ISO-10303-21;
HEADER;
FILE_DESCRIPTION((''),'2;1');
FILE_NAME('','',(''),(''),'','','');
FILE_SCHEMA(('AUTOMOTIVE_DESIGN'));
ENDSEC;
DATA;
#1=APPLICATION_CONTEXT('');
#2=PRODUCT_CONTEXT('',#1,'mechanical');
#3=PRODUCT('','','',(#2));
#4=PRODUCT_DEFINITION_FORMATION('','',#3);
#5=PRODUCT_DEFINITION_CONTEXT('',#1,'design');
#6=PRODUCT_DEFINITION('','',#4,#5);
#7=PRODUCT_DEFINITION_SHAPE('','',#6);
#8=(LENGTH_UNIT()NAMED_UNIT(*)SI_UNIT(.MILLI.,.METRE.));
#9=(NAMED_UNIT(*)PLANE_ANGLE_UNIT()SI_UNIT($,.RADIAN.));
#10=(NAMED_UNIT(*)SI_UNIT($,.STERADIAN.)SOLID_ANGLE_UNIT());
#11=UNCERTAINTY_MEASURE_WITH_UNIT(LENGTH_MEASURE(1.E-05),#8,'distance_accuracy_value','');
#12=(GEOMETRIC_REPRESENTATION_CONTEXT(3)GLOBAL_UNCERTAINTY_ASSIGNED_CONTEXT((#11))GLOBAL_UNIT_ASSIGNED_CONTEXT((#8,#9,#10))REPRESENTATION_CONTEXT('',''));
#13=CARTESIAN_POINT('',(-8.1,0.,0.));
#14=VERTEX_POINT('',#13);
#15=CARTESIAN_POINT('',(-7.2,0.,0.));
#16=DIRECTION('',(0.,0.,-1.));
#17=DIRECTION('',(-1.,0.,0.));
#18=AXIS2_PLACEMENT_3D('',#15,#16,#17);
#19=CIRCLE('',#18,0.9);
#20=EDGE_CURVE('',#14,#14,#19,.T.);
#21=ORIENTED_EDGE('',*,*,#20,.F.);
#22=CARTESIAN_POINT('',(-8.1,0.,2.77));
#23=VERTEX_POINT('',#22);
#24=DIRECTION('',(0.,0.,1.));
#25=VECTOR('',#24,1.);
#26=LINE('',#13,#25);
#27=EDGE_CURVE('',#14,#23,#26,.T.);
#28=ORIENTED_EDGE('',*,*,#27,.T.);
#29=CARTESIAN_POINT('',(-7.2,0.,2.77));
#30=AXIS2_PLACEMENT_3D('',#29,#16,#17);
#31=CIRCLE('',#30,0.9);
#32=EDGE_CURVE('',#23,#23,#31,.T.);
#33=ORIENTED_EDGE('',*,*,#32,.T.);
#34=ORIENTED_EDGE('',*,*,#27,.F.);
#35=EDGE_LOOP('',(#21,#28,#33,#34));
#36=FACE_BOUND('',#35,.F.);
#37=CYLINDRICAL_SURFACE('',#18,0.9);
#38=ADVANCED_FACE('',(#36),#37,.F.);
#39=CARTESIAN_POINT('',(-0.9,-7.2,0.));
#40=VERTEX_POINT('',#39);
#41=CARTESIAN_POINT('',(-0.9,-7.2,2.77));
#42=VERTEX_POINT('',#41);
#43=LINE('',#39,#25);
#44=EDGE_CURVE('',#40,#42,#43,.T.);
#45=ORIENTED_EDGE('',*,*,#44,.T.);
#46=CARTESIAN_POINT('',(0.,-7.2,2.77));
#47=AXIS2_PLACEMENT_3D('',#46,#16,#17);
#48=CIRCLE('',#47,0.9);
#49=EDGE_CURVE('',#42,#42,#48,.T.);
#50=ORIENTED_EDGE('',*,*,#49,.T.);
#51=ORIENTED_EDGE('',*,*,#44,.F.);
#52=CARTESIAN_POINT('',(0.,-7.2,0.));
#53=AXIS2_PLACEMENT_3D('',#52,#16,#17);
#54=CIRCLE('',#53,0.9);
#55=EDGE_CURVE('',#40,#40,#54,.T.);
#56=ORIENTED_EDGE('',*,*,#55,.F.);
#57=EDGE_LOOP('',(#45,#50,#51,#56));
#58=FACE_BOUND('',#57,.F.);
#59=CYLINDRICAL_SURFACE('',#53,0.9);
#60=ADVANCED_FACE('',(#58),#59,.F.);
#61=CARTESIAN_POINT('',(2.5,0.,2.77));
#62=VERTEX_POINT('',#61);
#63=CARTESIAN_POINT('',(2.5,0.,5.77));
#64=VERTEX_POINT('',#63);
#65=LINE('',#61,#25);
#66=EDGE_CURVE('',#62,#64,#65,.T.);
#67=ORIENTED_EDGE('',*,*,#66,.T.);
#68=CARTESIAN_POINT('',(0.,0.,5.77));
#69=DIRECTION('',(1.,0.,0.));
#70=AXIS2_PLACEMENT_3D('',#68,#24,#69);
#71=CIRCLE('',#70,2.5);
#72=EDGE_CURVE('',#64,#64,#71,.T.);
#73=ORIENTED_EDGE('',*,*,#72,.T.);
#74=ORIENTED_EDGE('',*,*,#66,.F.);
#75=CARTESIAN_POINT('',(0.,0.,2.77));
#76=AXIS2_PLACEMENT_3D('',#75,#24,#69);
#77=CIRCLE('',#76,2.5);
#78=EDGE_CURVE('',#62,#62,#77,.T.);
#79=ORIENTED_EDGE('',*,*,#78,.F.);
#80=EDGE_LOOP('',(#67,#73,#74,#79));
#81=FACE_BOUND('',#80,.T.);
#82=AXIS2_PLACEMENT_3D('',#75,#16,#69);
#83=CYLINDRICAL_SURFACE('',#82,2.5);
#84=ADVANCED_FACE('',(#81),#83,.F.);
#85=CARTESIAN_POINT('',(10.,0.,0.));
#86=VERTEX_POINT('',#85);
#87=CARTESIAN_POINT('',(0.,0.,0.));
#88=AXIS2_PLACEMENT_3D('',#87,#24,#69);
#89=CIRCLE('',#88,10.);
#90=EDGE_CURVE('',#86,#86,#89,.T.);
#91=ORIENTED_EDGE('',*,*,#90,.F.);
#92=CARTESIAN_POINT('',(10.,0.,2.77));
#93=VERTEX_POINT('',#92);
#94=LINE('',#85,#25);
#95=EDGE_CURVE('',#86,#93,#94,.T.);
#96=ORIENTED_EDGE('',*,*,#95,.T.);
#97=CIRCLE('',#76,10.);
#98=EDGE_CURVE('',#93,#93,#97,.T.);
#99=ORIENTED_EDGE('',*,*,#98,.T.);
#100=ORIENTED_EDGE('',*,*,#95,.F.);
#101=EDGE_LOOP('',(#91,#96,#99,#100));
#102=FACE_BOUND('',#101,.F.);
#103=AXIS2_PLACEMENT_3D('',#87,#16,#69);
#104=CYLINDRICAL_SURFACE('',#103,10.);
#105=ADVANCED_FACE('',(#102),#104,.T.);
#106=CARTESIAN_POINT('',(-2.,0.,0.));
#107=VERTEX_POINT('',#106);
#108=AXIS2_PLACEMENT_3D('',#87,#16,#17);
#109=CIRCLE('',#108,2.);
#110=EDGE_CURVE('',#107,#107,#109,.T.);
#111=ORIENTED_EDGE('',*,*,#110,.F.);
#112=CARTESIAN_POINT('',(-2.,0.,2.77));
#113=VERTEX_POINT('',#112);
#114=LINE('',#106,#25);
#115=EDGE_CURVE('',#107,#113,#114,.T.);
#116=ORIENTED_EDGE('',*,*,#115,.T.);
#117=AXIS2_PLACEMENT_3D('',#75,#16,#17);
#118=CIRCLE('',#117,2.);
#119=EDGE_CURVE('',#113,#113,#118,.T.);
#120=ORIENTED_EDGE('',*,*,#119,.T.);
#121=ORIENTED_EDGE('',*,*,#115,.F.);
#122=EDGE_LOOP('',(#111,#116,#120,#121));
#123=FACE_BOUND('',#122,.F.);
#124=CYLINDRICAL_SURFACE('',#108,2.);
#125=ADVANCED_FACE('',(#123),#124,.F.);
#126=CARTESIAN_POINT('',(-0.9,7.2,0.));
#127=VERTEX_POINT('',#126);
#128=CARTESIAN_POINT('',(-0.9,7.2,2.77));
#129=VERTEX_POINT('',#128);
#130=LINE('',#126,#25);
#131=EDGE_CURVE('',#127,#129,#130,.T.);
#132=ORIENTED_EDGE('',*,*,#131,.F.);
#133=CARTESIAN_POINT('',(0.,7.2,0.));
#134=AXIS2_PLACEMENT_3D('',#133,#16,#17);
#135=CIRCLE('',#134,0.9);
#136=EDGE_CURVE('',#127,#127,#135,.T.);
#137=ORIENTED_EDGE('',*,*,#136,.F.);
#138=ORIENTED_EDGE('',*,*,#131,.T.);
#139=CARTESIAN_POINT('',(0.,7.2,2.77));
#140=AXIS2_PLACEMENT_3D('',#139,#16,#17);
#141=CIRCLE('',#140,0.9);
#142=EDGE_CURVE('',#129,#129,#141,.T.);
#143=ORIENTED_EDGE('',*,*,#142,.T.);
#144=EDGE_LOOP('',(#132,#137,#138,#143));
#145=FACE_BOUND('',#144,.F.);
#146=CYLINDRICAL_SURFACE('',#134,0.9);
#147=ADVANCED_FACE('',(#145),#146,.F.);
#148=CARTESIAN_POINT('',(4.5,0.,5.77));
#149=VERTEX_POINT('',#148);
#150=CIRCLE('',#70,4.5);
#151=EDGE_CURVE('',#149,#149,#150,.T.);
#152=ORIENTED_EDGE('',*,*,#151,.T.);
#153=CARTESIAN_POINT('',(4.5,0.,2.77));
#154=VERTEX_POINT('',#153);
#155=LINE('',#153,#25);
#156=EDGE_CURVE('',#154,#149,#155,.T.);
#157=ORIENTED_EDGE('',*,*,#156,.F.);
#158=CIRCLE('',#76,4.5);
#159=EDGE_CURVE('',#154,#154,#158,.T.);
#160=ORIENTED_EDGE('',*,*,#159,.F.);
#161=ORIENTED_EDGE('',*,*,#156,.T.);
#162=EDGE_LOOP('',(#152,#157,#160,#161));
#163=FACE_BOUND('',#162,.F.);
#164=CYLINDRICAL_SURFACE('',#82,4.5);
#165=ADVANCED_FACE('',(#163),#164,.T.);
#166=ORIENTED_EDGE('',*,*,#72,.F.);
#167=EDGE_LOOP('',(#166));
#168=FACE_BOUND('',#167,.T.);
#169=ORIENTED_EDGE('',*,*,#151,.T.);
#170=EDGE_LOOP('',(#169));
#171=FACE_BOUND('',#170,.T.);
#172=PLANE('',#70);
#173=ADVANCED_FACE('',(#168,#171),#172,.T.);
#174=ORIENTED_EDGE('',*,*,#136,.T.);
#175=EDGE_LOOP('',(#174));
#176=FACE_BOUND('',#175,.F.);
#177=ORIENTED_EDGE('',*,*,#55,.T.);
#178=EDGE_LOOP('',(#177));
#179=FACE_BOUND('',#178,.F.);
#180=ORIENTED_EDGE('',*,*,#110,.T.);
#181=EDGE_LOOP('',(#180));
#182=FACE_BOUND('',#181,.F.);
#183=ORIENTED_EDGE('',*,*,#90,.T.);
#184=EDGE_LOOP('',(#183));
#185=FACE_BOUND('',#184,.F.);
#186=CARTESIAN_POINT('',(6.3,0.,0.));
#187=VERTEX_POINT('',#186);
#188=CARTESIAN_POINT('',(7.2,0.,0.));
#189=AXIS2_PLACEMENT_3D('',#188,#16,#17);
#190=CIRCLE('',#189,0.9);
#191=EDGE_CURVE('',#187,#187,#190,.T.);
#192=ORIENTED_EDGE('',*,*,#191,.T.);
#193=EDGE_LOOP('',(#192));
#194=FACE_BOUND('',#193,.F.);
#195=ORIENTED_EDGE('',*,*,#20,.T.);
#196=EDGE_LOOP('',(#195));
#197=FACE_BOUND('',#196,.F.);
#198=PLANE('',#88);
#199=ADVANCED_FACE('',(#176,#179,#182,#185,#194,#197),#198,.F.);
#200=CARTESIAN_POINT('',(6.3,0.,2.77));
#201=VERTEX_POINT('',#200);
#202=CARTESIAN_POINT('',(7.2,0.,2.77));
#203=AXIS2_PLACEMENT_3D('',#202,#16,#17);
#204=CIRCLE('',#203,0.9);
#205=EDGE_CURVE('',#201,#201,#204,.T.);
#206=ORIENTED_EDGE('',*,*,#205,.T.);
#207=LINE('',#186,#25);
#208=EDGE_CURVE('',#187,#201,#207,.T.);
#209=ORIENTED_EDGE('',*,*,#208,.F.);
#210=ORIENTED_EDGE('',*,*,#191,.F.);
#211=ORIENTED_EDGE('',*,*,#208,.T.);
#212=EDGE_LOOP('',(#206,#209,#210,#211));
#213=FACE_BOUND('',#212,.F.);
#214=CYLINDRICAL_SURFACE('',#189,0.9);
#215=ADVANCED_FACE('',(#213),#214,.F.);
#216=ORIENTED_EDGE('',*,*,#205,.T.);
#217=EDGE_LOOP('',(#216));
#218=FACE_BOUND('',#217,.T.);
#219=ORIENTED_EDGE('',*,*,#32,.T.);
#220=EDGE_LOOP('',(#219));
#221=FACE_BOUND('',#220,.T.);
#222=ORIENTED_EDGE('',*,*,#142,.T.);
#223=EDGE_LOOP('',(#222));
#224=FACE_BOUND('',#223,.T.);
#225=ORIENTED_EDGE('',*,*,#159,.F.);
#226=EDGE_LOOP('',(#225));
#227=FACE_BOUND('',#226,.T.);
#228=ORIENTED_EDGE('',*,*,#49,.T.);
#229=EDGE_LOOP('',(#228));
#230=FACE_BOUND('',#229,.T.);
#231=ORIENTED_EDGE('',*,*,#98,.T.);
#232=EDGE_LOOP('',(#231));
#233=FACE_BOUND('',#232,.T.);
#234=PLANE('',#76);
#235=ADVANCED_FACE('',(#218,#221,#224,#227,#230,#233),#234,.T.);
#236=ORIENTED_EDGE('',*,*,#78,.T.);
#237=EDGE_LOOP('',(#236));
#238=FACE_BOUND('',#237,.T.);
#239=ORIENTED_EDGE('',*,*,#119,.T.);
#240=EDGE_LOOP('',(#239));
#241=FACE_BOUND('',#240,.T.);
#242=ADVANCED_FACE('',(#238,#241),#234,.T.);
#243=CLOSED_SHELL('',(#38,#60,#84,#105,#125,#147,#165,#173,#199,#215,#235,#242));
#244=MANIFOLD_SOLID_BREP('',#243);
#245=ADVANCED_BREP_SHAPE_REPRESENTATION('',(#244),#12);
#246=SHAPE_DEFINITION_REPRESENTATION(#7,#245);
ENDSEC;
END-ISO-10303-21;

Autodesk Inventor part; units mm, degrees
ref_plane "YZ Plane" through (0, 0, 0) normal (1, 0, 0) x (0, 1, 0)
ref_plane "XZ Plane" through (0, 0, 0) normal (0, 1, 0) x (-1, 0, 0)
ref_plane "XY Plane" through (0, 0, 0) normal (0, 0, 1) x (1, 0, 0)
sketch "Sketch1" plane through (0, 0, 0) normal (0, 0, 1) x (1, 0, 0)
  circle A0 centre (0, 0) radius 10
  dimension "d0" = 20
extrude "Extrusion1" add sketch "Sketch1" along normal blind 2.77
sketch "Sketch2" plane through (0, 0, 2.77) normal (0, 0, 1) x (1, 0, 0)
  circle A0 centre (0, 0) radius 2.5
  circle A1 centre (0, 0) radius 4.5
  dimension "d3" = 5
  dimension "d4" = 9
extrude "Extrusion2" add sketch "Sketch2" along normal blind 3
sketch "Sketch3" plane through (0, 0, 0) normal (0, 0, -1) x (-1, 0, 0)
  circle A0 centre (7.2, 0) radius 0.9
  circle A1 centre (0, 7.2) radius 0.9
  circle A2 centre (-7.2, 0) radius 0.9
  circle A3 centre (0, -7.2) radius 0.9
  point P0 (0, 0)
  dimension "d11" = 360
extrude "Extrusion3" cut sketch "Sketch3" against normal blind 3
sketch "Sketch4" plane through (0, 0, 0) normal (0, 0, -1) x (-1, 0, 0)
  circle A0 centre (0, 0) radius 2
  dimension "d18" = 4
extrude "Extrusion4" cut sketch "Sketch4" against normal blind 5
sketch "Sketch5" plane through (0, 0, 0) normal (0, 0, -1) x (-1, 0, 0)
  point P0 (0, 0)
equation "\"d16\" = d15"
equation "\"d15\" = 5"
properties part number "SERVOHORN"
